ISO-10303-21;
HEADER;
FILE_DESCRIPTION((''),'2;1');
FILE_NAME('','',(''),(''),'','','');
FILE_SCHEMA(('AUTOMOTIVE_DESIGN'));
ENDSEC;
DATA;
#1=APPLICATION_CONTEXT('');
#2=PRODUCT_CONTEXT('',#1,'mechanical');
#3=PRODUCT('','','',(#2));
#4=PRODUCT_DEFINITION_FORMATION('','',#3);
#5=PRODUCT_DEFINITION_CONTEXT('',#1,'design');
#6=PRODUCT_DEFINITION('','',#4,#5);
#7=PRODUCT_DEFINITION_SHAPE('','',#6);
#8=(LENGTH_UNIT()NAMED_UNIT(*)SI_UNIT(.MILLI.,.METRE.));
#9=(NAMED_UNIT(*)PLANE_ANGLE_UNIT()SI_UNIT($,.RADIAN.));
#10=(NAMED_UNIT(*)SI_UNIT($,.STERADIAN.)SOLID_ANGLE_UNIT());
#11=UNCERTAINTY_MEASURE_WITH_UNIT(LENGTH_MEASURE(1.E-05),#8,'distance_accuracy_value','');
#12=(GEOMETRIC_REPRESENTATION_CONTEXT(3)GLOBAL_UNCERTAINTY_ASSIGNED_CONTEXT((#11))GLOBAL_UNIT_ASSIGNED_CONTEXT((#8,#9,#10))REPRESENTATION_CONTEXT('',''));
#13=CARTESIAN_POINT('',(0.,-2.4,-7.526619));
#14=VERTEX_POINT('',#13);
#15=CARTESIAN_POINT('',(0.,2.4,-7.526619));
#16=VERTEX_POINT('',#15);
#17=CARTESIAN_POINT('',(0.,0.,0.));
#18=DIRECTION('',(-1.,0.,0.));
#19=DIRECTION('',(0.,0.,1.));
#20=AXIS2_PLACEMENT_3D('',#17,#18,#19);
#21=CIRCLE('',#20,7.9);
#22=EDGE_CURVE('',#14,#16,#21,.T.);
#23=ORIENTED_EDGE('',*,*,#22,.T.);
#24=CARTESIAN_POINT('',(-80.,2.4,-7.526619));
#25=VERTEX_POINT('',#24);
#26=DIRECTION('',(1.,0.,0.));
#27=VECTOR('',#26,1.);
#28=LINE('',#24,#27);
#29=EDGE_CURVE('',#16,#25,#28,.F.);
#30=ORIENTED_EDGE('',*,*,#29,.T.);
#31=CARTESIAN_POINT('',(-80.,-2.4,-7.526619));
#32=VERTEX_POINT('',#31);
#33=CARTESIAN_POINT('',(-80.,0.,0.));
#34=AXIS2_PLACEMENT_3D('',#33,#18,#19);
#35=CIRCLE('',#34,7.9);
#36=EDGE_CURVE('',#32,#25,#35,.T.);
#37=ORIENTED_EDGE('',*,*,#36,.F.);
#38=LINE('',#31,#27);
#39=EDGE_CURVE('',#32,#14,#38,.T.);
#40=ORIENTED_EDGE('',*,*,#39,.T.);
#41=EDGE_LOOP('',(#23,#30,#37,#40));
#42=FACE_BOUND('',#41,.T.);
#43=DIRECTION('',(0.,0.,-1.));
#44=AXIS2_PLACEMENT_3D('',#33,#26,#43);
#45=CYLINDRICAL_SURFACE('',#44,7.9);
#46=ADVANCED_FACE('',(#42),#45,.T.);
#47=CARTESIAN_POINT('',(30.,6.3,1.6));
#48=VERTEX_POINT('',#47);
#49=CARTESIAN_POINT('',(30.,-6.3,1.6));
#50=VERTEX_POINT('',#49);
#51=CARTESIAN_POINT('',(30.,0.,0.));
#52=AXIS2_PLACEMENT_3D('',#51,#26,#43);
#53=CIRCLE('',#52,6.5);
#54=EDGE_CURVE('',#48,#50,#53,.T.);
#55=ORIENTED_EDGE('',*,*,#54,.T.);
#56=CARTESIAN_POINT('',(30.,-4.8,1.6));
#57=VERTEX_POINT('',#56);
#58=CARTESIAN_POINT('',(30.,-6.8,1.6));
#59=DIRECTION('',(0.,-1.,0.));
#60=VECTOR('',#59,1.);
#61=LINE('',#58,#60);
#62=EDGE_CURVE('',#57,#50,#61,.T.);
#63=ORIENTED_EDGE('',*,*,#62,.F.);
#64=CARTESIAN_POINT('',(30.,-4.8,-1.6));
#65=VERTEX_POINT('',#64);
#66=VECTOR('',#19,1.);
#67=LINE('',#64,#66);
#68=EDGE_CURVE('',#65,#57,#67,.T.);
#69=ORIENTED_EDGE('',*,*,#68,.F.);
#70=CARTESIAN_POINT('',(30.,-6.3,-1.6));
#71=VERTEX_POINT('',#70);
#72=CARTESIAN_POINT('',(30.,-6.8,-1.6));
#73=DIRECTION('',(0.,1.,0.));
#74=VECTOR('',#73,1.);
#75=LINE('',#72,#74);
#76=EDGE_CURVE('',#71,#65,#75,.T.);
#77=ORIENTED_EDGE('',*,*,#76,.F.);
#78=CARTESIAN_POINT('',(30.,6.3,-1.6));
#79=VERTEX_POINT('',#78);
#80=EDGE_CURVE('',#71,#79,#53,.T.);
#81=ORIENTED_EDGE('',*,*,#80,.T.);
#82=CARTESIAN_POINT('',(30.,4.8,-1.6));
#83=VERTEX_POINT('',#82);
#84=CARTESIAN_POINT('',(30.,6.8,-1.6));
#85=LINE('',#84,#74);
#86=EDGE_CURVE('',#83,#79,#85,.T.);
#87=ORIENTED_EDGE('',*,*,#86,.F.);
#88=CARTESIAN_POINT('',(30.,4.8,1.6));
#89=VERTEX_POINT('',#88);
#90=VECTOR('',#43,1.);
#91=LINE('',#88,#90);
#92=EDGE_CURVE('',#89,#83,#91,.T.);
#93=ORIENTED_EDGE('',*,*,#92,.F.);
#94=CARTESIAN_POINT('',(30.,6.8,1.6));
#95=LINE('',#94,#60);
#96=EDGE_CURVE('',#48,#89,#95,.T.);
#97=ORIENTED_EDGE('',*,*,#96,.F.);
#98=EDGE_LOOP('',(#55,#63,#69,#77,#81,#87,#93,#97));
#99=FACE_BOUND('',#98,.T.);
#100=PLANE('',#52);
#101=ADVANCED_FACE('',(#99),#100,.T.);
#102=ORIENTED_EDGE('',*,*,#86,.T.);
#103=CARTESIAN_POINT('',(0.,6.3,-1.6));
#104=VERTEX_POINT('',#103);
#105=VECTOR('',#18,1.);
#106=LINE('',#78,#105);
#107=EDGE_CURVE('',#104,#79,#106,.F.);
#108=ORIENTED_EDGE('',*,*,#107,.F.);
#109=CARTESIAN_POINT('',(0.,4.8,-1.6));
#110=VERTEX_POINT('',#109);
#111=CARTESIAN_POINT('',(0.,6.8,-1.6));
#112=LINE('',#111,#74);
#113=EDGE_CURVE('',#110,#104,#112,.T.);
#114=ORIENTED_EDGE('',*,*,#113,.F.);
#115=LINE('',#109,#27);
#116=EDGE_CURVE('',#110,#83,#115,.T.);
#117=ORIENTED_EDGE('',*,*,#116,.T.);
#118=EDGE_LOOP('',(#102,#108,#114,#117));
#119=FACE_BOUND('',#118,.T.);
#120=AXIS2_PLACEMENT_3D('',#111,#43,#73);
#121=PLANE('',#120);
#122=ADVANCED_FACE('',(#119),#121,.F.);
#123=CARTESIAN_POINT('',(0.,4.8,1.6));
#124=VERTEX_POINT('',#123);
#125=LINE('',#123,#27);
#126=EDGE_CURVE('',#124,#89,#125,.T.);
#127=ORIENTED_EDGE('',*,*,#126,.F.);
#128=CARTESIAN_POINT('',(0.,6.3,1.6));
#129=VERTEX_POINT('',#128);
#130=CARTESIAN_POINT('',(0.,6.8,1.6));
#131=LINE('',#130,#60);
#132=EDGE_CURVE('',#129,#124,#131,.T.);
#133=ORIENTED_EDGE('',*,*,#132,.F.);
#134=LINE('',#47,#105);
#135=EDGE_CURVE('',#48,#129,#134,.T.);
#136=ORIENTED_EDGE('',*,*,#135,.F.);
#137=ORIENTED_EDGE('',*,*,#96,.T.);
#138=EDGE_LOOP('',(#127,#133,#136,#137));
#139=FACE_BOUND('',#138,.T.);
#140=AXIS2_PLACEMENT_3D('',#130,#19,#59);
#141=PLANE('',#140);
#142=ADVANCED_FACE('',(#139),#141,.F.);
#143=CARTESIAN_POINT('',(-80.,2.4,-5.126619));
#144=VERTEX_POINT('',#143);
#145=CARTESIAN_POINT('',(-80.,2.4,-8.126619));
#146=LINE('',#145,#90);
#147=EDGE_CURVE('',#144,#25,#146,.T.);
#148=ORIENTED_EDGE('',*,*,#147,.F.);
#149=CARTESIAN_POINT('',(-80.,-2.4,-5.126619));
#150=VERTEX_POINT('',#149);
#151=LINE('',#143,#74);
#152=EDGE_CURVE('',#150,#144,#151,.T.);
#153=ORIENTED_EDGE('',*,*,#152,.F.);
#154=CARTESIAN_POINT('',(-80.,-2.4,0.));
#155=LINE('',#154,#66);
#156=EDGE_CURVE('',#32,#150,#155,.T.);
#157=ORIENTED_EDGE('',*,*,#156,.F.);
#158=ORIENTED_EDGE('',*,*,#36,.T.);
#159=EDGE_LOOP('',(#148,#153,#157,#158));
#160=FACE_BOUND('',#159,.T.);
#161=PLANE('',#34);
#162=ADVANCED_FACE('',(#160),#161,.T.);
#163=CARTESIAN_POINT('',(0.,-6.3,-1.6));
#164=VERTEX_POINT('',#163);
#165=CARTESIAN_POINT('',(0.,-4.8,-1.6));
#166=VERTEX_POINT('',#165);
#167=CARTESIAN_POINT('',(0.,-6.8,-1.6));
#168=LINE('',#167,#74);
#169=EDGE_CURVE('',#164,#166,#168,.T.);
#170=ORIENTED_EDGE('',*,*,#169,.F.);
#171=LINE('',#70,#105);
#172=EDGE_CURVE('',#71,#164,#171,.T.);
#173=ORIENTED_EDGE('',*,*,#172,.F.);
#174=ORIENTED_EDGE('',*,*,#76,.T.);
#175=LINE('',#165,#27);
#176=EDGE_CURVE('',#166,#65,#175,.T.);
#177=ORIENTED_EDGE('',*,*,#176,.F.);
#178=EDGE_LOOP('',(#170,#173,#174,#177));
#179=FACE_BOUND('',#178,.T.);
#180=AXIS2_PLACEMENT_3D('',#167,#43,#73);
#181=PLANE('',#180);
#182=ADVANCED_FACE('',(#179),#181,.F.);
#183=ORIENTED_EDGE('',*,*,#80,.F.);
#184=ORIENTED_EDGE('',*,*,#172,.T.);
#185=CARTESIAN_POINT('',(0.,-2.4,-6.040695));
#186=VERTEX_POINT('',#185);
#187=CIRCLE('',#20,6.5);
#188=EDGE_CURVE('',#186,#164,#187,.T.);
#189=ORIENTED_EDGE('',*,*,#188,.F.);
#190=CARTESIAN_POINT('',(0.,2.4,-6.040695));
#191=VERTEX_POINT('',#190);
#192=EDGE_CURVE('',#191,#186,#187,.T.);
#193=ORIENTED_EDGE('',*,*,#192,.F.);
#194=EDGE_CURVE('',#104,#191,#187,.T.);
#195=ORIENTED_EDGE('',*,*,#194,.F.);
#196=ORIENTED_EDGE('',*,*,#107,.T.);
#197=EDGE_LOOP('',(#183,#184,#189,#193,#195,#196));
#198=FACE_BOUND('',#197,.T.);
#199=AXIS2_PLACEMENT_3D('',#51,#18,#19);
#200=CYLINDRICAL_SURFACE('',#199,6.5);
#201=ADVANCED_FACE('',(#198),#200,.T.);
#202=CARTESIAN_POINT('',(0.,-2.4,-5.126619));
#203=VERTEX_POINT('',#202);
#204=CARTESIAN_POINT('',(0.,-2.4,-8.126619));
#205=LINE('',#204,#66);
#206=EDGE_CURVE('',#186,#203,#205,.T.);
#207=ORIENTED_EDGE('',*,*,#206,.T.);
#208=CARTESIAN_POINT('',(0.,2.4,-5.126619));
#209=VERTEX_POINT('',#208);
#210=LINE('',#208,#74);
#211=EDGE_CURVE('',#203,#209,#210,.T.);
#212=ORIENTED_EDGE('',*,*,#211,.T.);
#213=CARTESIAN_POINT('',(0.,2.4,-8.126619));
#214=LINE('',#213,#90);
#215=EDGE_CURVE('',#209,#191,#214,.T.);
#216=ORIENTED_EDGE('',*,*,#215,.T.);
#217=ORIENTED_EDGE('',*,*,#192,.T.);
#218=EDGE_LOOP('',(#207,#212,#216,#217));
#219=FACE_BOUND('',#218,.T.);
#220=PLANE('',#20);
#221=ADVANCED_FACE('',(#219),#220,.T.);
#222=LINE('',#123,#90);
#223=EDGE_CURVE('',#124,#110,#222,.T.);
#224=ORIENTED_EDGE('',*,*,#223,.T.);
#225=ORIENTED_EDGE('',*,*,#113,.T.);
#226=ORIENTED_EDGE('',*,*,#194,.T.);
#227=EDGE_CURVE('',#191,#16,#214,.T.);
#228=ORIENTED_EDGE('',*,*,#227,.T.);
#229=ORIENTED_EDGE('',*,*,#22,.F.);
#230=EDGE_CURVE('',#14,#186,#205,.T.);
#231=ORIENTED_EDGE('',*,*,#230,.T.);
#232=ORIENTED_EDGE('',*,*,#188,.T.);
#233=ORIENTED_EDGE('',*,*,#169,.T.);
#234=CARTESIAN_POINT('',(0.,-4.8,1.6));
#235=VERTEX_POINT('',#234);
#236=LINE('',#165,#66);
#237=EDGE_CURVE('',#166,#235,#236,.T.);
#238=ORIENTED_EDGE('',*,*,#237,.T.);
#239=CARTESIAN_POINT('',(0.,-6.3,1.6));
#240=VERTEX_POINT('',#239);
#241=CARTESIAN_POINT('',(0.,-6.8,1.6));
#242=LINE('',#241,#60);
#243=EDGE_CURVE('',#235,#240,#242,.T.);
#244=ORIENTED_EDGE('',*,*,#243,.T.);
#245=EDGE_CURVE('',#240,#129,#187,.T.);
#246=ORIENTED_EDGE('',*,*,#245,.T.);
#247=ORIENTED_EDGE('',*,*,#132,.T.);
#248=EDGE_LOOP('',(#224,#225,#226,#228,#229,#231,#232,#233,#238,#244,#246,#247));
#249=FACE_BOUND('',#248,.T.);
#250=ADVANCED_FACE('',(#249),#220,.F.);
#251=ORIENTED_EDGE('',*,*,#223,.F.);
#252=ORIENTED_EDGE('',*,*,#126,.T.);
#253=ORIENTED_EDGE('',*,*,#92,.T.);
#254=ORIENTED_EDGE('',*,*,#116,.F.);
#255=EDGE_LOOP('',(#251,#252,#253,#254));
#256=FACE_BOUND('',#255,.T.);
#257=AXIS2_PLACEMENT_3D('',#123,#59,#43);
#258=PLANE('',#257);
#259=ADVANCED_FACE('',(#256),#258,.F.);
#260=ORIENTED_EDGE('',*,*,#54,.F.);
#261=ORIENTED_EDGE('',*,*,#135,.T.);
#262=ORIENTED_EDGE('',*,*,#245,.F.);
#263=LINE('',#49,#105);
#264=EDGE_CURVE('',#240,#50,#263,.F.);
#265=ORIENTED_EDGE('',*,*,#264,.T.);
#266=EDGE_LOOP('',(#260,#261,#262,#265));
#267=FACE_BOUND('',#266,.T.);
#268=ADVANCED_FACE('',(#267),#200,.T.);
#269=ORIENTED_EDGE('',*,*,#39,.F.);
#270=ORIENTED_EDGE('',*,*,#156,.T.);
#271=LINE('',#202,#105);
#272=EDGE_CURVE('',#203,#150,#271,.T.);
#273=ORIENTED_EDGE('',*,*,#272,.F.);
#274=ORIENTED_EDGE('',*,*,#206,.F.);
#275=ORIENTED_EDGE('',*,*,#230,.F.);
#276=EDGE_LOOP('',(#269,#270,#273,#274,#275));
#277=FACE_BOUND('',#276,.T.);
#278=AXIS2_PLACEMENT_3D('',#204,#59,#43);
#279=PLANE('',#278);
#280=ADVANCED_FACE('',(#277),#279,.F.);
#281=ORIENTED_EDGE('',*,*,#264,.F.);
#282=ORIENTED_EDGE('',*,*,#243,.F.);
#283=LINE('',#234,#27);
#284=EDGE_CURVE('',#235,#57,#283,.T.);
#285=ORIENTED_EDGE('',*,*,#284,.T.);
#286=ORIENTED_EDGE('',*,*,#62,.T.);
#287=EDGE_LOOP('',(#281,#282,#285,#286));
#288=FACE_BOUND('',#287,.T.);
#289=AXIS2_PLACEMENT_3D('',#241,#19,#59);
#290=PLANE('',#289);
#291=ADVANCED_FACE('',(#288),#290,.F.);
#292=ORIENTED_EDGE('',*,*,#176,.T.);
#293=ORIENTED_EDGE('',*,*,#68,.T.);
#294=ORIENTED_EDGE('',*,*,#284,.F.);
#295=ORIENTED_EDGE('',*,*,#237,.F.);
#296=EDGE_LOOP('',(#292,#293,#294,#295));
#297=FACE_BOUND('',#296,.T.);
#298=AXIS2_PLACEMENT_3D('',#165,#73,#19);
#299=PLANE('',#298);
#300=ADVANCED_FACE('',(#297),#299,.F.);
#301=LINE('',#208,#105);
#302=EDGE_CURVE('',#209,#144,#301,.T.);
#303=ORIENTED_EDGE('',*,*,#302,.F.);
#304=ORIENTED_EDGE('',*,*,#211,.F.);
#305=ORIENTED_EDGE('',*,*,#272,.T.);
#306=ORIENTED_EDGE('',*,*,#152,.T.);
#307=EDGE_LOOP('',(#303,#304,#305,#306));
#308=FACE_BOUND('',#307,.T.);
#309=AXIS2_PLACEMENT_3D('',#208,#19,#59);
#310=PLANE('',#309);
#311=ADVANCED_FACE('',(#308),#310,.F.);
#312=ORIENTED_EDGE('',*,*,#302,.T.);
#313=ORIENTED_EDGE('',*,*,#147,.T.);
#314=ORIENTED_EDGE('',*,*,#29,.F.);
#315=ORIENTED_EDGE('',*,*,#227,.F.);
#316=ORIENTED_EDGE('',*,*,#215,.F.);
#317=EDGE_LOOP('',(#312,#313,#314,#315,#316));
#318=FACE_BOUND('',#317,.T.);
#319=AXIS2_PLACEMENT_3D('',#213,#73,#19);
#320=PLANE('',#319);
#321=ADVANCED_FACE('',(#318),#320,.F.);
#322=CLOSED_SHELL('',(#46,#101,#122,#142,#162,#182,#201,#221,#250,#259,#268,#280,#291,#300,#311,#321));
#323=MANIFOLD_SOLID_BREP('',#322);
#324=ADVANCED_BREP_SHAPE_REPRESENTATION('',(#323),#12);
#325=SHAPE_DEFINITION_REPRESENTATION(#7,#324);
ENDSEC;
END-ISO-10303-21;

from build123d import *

# Parameters (mm, degrees)
SKETCH1_R           = 6.5
BOSS_EXTRUDE1_DEPTH = 30
SKETCH2_R           = 7.9
BOSS_EXTRUDE2_DEPTH = 80
SKETCH3_W           = 3.2
SKETCH3_H           = 2
CUT_EXTRUDE2_DEPTH  = 30
SKETCH5_W           = 3
SKETCH5_H           = 4.8
CUT_EXTRUDE3_DEPTH  = 80


with BuildPart() as part:
    # Sketch1 → Boss-Extrude1 (new body)
    with BuildSketch(Plane(origin=(0, 0, 0), x_dir=(0, 0, -1), z_dir=(1, 0, 0))):
        Circle(SKETCH1_R)
    extrude(amount=BOSS_EXTRUDE1_DEPTH)

    # Sketch2 → Boss-Extrude2 (add)
    with BuildSketch(Plane.ZY):
        Circle(SKETCH2_R)
    extrude(amount=BOSS_EXTRUDE2_DEPTH)

    # Sketch3 → Cut-Extrude2 (cut)
    with BuildSketch(Plane(origin=(30, 0, 0), x_dir=(0, 0, -1), z_dir=(1, 0, 0))):
        with Locations((0, 5.8)):
            Rectangle(SKETCH3_W, SKETCH3_H)
        with Locations((0, -5.8)):
            Rectangle(SKETCH3_W, SKETCH3_H)
    extrude(amount=-CUT_EXTRUDE2_DEPTH, mode=Mode.SUBTRACT)

    # Sketch5 → Cut-Extrude3 (cut)
    with BuildSketch(Plane.ZY.offset(80)):
        with Locations((-6.626619427, 0)):
            Rectangle(SKETCH5_W, SKETCH5_H)
    extrude(amount=-CUT_EXTRUDE3_DEPTH, mode=Mode.SUBTRACT)


solid = part.part
